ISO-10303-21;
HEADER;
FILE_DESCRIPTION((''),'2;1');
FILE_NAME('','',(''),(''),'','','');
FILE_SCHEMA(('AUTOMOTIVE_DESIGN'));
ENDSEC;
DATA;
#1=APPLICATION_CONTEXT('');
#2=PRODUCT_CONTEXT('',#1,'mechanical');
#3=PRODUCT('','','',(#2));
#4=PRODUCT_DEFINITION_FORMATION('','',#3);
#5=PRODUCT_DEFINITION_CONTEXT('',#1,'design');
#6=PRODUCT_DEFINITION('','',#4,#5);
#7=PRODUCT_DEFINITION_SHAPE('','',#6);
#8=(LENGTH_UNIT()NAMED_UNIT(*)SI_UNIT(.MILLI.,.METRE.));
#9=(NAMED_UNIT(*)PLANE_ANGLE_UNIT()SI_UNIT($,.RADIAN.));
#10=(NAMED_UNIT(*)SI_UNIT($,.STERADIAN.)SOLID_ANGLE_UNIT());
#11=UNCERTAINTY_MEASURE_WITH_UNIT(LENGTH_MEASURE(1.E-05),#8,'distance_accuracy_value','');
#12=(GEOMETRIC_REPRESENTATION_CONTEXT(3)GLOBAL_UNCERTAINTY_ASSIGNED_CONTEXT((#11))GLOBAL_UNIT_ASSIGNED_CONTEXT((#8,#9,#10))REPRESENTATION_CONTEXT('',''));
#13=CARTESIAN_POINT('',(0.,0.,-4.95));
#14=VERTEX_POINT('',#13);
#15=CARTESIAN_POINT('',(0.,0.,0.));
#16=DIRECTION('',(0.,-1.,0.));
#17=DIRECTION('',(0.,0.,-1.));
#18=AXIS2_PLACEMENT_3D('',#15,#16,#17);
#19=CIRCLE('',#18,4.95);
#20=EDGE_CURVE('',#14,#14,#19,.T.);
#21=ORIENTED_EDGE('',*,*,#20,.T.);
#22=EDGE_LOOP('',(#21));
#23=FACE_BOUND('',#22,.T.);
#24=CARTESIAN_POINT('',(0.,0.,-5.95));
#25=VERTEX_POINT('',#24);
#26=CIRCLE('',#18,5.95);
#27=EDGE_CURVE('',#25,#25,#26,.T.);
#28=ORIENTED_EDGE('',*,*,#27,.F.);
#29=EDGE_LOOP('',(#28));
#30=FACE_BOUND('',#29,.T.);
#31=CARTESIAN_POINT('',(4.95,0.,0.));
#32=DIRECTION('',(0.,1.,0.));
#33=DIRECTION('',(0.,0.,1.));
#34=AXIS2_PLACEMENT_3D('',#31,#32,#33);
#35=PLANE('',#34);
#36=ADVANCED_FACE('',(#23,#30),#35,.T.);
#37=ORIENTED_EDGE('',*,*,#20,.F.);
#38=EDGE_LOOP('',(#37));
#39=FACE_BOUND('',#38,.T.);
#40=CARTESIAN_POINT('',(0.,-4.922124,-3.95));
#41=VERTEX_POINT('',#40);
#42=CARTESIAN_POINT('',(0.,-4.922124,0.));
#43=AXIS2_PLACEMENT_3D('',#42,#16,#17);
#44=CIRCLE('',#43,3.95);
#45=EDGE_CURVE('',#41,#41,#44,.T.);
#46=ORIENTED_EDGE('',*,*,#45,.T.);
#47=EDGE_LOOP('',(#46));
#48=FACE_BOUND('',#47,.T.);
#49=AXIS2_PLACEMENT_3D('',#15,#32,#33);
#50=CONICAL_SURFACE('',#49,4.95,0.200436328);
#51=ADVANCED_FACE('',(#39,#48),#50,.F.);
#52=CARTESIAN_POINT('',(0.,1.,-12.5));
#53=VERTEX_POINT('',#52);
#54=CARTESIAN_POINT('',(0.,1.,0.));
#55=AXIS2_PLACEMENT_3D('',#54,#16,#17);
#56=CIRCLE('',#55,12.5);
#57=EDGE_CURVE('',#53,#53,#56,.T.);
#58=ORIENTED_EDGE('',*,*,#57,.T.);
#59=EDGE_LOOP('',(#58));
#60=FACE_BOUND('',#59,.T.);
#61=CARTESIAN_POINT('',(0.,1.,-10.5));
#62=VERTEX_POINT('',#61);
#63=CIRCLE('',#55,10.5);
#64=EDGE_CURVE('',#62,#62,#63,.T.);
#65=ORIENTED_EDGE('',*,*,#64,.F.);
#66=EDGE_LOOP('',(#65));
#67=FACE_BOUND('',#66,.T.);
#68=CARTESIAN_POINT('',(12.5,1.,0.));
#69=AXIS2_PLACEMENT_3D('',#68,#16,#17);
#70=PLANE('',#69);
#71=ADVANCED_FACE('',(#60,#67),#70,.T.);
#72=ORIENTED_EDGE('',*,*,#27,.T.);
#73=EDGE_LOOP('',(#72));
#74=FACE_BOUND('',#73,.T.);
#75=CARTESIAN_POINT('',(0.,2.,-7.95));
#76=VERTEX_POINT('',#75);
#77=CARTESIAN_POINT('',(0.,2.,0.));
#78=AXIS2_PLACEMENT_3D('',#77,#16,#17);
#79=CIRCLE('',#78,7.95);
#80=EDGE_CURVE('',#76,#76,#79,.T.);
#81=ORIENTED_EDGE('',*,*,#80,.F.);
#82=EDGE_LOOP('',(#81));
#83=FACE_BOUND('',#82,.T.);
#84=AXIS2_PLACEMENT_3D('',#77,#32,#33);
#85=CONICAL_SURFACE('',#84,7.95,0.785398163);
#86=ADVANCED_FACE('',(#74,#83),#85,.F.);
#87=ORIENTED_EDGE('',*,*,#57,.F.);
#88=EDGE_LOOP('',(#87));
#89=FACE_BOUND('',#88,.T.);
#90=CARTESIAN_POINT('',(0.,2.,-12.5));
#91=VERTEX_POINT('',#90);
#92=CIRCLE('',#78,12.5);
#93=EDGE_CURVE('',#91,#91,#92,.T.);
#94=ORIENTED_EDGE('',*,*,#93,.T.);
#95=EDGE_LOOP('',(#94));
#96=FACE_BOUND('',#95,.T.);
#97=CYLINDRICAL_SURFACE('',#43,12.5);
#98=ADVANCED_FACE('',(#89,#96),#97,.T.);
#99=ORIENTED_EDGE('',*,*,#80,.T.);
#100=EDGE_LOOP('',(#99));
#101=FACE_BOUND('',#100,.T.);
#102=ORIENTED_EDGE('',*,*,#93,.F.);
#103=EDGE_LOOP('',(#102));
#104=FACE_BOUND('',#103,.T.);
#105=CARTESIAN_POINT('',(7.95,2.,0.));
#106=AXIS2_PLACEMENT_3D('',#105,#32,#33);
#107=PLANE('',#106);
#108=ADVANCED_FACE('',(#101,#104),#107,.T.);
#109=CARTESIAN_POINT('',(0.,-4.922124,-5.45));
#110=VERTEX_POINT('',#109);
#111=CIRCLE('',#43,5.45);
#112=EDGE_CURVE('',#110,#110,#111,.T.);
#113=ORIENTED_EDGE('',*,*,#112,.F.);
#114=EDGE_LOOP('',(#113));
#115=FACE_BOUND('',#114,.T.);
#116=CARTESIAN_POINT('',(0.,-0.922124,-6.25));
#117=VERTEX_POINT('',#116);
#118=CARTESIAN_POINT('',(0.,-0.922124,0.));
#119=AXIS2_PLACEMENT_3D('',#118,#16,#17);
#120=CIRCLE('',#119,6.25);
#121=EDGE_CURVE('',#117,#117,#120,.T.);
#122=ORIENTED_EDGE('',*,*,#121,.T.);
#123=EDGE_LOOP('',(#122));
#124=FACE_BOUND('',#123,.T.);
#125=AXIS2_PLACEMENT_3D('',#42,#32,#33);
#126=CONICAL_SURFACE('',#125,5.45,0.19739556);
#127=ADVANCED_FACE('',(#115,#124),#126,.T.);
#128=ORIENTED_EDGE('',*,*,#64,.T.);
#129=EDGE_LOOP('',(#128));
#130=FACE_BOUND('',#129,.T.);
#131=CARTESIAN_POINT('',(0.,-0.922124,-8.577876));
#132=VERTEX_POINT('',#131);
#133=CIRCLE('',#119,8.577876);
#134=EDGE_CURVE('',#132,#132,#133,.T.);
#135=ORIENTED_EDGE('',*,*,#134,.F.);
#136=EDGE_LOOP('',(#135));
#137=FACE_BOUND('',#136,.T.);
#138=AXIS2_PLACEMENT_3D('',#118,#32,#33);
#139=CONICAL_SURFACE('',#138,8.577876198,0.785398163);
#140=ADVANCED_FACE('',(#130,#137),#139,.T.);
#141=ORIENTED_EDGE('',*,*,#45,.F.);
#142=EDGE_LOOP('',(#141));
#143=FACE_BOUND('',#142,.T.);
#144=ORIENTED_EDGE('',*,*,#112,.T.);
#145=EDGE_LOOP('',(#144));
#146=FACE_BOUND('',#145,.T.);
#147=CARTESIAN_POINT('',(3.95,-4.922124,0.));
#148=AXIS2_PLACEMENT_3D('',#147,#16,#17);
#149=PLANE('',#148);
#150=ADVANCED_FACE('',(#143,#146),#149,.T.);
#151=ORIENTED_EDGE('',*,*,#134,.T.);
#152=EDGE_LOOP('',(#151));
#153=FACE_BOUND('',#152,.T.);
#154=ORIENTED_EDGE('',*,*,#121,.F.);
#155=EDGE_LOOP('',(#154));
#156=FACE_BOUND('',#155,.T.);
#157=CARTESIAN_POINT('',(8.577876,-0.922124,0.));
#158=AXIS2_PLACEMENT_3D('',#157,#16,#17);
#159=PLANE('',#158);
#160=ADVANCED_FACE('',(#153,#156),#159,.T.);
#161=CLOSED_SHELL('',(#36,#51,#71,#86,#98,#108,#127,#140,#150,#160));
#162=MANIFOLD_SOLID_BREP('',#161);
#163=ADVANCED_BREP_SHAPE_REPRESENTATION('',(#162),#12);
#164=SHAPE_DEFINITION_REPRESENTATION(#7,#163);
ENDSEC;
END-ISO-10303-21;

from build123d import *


with BuildPart() as part:
    # Sketch1 → Revolve1 (revolve)
    with BuildSketch(Plane.XY, mode=Mode.PRIVATE) as revolve1_sk:
        Polygon((4.95, 0), (5.95, 0), (7.95, 2), (12.5, 2), (12.5, 1), (10.5, 1), (8.577876198, -0.922123802), (6.25, -0.922123802), (5.45, -4.922123802), (3.95, -4.922123802), align=None)
    revolve(revolve1_sk.sketch.rotate(Axis((0, -4.922123802, 0), (0, 1, 0)), 90), axis=Axis((0, -4.922123802, 0), (0, 1, 0)))


solid = part.part
